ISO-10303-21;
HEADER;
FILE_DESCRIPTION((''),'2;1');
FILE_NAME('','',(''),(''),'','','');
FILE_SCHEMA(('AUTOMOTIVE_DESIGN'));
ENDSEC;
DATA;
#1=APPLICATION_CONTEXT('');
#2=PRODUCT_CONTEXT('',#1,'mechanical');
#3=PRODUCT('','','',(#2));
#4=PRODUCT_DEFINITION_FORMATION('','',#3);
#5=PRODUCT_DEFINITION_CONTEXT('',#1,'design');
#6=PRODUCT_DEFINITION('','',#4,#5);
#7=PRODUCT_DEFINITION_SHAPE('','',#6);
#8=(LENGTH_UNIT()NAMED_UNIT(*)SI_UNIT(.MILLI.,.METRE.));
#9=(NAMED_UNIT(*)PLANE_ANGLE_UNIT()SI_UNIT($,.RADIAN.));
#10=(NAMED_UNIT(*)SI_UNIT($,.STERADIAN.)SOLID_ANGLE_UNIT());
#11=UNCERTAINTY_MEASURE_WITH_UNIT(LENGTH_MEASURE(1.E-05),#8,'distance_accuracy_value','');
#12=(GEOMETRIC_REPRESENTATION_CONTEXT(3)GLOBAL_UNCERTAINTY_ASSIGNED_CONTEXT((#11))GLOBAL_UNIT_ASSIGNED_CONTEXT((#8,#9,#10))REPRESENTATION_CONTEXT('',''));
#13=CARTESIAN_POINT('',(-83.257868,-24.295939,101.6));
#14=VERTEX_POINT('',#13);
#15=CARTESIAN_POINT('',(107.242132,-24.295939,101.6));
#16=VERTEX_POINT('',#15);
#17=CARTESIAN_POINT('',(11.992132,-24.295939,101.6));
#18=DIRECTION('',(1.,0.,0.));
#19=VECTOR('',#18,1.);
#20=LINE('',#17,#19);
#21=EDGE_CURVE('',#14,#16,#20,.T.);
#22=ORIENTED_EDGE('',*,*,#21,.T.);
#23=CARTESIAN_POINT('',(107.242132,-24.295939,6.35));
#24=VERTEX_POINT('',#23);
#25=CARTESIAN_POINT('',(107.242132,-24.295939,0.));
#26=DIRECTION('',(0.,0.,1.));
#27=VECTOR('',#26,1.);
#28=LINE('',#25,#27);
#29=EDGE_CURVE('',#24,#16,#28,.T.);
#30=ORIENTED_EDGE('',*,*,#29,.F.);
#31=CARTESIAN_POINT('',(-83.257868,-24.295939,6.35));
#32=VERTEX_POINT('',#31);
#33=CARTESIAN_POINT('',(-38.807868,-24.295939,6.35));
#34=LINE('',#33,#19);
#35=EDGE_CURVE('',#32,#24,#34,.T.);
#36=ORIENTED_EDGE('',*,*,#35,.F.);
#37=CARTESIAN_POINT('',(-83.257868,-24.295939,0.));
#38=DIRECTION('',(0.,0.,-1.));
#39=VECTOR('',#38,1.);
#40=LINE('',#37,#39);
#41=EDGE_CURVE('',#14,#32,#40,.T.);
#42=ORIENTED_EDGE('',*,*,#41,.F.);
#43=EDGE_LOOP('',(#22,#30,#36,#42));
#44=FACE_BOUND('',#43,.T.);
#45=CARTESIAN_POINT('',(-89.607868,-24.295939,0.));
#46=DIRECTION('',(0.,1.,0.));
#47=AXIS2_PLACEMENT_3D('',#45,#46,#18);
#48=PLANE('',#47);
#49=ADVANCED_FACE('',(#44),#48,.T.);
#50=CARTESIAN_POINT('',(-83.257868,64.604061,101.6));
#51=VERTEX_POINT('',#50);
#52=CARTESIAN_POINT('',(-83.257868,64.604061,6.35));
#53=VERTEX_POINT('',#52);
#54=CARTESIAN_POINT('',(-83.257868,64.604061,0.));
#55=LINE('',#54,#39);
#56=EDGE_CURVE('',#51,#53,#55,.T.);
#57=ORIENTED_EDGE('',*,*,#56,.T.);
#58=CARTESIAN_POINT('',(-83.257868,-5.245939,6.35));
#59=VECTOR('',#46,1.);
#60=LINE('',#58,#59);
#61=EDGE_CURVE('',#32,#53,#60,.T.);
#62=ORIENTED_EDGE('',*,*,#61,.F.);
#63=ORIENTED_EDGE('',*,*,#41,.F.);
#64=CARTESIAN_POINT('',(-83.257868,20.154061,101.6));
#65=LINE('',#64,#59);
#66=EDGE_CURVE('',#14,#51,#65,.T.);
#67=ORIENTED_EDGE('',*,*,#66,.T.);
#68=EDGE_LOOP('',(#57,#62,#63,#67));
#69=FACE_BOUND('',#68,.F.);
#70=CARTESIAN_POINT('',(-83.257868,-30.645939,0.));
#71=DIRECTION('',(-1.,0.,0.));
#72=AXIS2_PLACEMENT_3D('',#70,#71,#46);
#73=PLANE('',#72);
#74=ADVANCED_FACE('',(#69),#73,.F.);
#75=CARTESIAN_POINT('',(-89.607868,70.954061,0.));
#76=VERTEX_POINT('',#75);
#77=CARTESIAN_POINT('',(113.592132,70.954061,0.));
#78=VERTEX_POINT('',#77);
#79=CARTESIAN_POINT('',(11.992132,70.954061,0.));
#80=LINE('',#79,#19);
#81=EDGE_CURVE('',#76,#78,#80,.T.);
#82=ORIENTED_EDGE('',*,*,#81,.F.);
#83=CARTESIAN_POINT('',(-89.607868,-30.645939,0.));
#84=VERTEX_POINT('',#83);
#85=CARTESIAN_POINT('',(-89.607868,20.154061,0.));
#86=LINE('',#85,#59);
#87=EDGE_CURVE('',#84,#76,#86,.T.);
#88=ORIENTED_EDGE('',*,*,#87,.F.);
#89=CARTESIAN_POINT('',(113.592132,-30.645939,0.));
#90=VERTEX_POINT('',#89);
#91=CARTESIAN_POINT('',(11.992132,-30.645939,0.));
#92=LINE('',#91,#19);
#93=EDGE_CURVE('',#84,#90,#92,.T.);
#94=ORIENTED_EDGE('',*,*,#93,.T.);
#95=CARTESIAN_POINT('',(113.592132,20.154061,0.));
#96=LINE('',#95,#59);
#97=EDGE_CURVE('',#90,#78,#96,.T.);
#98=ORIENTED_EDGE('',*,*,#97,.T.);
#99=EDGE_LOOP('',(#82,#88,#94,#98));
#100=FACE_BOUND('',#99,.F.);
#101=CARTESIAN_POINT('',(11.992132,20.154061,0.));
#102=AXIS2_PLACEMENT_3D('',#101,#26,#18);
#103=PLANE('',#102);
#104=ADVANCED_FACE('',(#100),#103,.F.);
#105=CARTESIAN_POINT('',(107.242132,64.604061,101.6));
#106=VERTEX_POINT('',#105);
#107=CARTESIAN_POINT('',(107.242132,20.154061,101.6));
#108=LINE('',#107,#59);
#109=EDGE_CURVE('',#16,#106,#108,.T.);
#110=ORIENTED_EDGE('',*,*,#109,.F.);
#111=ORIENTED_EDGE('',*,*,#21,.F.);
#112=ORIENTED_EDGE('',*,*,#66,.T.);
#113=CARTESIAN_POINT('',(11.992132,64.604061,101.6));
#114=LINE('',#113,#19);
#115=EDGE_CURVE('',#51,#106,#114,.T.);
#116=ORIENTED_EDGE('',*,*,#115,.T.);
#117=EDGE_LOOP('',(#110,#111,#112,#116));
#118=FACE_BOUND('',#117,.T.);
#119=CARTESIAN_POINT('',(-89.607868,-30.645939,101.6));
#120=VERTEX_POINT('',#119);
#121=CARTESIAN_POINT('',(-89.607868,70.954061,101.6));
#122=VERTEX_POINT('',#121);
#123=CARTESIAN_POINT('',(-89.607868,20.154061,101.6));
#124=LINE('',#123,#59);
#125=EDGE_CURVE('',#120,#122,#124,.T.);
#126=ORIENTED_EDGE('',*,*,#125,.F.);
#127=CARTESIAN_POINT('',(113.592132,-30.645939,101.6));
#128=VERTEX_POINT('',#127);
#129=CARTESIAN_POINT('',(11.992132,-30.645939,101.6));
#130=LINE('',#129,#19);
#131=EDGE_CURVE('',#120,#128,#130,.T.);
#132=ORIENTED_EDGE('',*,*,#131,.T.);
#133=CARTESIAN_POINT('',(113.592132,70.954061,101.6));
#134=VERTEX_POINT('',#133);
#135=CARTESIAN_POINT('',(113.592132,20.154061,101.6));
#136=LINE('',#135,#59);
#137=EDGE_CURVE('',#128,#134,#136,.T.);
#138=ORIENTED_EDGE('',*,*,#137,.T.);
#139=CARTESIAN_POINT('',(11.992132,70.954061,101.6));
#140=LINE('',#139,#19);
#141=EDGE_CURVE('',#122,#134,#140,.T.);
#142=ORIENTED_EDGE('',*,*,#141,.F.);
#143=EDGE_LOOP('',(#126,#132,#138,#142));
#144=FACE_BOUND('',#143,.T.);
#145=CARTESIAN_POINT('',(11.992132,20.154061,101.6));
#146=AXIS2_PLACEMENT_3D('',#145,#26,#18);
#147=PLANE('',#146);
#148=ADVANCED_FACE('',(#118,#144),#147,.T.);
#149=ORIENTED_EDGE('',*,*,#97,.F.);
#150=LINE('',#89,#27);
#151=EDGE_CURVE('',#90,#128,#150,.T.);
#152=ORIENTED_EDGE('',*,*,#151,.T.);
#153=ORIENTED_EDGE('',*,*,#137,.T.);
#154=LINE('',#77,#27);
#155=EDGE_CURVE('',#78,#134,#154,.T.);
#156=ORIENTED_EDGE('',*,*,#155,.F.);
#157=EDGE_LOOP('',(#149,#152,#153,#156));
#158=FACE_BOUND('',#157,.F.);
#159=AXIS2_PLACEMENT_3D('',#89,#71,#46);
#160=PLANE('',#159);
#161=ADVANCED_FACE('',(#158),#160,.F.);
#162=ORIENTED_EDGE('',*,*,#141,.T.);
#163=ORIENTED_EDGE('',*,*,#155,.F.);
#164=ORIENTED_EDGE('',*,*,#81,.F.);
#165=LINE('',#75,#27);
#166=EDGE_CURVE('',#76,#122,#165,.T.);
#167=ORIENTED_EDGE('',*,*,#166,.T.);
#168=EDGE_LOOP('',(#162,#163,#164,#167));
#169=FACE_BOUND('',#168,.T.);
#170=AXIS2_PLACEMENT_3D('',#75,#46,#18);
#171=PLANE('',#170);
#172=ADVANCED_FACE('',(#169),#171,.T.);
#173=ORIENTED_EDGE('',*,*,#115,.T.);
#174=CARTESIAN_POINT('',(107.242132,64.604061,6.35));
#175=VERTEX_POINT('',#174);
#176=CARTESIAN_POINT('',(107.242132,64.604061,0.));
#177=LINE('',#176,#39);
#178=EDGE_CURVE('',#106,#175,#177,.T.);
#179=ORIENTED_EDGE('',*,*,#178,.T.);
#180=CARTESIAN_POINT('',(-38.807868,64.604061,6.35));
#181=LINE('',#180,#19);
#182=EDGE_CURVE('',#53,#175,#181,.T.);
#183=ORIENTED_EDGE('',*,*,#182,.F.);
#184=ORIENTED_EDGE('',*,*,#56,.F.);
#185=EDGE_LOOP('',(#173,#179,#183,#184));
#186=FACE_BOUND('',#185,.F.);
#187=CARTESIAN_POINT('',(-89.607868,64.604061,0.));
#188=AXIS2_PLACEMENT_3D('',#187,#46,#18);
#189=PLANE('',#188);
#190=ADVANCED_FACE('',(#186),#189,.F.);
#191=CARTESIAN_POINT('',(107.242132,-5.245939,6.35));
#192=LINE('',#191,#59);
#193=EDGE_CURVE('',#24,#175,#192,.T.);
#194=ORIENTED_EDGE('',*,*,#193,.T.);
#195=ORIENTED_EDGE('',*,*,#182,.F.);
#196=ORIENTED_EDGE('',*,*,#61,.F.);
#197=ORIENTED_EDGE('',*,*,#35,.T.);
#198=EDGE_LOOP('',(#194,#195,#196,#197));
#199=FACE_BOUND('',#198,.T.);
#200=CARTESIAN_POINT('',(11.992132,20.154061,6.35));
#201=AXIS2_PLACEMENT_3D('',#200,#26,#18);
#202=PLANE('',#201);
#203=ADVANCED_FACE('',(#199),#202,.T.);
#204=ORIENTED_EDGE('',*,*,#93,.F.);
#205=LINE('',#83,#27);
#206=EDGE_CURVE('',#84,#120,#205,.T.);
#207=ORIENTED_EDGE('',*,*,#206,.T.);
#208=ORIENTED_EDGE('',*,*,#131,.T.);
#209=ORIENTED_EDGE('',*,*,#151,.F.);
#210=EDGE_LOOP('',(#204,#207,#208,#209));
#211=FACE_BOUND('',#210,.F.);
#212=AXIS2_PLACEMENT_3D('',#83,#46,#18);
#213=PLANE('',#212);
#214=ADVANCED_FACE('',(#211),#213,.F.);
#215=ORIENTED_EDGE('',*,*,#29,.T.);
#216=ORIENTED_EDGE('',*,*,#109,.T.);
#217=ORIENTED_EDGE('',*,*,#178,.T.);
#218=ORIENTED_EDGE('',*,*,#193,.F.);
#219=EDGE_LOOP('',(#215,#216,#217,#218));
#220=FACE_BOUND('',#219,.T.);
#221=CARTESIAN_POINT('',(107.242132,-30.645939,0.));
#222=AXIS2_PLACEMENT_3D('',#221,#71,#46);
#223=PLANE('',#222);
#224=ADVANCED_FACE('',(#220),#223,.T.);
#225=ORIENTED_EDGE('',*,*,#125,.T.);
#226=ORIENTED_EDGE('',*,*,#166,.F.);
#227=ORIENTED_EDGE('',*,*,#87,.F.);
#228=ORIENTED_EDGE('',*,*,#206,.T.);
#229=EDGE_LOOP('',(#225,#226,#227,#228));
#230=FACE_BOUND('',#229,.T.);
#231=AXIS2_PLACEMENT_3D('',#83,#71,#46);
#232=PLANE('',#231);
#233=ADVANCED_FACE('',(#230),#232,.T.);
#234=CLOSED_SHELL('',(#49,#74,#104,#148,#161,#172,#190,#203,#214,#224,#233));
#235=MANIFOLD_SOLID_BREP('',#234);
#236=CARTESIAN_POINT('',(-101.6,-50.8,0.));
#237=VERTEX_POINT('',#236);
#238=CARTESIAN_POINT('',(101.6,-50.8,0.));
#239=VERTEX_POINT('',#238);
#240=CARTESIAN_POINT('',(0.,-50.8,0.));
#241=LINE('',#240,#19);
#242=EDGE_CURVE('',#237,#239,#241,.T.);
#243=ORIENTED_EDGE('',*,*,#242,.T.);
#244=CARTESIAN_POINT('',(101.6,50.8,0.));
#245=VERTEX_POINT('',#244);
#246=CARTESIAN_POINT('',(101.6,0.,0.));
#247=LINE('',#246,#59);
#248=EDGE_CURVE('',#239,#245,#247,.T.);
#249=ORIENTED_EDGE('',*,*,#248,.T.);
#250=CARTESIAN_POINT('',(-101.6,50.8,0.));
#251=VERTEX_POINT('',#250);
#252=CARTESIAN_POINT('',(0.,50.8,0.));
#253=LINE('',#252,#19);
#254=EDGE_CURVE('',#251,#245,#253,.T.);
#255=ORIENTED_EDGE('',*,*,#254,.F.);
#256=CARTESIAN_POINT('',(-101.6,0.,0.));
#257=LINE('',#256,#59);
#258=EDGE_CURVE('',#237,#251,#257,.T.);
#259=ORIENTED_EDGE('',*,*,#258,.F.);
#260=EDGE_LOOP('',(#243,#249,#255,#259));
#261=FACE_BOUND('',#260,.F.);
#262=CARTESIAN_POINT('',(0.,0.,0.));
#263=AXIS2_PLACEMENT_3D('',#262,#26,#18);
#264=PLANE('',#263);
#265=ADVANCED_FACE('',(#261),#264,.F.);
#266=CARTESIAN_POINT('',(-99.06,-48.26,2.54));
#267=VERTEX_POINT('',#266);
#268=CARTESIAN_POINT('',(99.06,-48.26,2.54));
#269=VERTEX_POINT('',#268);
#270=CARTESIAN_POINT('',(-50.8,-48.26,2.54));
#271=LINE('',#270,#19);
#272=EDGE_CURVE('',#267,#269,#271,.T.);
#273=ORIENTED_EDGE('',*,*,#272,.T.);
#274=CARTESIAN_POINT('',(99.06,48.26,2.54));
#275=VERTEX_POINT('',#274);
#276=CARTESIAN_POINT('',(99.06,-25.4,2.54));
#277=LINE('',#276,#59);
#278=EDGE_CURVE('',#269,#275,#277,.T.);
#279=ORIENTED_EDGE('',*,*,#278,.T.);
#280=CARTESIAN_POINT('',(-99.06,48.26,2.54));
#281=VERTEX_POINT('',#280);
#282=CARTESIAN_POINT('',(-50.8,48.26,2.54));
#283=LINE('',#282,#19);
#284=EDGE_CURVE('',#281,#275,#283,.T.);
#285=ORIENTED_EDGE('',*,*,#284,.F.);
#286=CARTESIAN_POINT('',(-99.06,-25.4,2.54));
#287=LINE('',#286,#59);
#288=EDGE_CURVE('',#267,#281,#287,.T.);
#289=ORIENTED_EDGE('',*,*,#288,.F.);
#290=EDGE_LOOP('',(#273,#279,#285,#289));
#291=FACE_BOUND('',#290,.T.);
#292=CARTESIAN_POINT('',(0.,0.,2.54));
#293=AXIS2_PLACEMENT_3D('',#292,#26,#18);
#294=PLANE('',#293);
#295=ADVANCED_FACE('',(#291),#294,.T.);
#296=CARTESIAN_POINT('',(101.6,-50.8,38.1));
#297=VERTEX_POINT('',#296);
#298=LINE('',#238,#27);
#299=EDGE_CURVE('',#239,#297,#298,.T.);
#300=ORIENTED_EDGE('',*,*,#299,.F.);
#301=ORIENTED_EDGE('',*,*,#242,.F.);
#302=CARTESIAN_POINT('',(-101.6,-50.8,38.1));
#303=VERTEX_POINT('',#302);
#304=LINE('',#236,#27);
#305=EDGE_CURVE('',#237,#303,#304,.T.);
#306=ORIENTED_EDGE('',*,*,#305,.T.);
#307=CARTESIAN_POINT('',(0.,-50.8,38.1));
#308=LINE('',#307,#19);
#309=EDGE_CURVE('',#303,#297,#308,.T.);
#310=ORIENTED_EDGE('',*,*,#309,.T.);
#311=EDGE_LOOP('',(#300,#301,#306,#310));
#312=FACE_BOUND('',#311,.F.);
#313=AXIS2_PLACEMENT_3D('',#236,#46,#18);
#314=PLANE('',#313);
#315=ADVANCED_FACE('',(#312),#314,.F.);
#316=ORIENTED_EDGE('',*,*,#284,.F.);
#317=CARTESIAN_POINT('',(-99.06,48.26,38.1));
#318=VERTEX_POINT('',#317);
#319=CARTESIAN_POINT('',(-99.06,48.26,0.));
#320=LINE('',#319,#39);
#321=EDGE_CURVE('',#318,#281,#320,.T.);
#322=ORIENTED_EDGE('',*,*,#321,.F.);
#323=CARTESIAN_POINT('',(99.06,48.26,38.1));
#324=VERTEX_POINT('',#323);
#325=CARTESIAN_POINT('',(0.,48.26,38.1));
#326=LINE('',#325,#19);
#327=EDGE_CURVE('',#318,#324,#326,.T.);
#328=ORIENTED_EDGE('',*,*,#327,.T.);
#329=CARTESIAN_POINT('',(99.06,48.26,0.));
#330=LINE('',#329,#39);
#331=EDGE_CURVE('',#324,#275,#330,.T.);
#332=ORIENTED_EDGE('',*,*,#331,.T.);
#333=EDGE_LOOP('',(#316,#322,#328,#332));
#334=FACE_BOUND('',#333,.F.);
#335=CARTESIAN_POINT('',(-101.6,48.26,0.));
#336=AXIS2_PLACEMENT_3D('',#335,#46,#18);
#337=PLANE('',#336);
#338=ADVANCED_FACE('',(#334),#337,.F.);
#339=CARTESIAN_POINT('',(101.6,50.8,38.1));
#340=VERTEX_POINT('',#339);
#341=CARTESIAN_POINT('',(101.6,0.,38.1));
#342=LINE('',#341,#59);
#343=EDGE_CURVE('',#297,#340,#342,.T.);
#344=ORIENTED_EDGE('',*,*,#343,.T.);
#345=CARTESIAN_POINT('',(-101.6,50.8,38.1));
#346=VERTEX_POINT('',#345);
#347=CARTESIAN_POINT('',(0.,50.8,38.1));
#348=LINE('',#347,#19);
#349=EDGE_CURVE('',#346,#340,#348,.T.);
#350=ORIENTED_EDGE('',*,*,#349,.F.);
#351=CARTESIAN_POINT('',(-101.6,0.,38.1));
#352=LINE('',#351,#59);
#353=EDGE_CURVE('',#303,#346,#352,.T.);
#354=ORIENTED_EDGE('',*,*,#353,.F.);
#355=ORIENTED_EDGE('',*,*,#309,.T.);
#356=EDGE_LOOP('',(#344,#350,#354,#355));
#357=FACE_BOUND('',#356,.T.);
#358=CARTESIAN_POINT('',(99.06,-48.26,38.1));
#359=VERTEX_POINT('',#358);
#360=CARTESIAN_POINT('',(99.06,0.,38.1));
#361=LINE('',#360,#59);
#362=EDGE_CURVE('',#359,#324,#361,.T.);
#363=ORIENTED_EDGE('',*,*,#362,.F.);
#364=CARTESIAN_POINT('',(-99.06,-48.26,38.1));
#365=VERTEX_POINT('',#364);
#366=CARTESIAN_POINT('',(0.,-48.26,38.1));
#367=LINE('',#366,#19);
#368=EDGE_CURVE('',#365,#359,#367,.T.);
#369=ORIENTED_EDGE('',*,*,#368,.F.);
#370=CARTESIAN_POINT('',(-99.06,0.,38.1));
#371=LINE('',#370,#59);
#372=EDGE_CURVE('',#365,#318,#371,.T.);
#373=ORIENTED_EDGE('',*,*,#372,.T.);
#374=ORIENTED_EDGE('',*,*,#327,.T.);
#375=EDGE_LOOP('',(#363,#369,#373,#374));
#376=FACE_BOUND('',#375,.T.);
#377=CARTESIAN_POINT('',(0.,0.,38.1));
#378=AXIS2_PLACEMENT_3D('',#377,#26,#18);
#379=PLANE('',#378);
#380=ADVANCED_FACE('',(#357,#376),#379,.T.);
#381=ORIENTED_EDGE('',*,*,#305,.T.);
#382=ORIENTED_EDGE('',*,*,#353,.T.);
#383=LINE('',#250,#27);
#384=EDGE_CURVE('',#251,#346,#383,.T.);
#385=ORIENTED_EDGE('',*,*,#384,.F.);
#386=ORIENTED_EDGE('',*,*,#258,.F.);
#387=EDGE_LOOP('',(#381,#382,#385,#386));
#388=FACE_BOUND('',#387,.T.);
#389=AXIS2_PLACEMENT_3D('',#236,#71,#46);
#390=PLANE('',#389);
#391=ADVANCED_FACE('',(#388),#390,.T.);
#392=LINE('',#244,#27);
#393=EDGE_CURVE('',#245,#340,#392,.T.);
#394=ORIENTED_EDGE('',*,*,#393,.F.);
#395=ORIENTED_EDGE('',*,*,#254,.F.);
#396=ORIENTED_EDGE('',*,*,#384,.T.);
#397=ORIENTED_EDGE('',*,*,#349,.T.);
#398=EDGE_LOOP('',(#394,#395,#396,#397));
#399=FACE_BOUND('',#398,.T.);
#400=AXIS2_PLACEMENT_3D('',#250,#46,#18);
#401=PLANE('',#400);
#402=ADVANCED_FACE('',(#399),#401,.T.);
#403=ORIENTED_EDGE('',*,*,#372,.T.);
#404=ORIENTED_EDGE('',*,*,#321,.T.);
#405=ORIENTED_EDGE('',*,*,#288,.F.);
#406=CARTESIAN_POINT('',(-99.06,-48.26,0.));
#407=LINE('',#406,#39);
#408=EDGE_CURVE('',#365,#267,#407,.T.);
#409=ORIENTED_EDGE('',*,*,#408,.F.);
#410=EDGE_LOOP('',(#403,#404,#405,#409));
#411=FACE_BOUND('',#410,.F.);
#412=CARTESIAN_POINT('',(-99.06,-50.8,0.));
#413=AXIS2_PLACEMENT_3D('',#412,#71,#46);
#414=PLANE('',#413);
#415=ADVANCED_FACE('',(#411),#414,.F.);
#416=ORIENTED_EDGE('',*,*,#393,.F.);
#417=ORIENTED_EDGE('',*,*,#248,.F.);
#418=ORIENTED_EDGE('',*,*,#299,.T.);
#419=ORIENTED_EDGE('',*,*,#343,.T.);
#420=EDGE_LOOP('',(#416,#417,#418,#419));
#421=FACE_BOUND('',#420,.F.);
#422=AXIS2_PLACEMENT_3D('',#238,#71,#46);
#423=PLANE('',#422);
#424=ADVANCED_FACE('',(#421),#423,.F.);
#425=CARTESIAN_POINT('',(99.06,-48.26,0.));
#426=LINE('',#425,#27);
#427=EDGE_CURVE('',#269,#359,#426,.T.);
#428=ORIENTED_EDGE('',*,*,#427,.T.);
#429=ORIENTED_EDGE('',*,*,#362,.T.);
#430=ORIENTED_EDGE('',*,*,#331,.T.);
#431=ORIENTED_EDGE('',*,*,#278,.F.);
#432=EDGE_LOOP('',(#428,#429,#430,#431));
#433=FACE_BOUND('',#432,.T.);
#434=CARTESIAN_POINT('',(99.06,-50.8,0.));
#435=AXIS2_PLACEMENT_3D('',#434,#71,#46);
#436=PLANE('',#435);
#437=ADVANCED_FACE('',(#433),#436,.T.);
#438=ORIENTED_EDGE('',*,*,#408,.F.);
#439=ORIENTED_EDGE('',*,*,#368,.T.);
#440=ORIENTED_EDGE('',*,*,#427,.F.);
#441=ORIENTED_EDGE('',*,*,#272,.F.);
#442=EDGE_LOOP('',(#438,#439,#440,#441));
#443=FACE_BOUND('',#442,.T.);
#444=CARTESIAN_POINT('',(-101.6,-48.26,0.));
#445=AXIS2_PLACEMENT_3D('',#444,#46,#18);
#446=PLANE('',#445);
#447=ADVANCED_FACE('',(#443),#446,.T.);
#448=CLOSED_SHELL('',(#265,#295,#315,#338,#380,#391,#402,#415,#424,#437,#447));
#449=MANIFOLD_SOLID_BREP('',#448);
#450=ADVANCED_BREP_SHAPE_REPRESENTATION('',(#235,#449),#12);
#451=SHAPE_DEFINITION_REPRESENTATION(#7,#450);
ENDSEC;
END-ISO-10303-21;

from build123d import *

# Parameters (mm, degrees)
F0_W     = 203.2
F0_H     = 101.6
F1_DEPTH = 101.6
F2_T     = -6.35
F3_W     = 203.2
F3_H     = 101.6
F4_DEPTH = 38.1
F5_T     = -2.54


with BuildPart() as f1:
    # F0 (on Top) → F1 (new body)
    with BuildSketch(Plane.XY):
        with Locations((11.992132, 20.154061)):
            Rectangle(F0_W, F0_H)
    extrude(amount=F1_DEPTH)

    # F2
    f2_openings = [f1.faces().sort_by_distance(p)[0] for p in [
        (11.992132, 20.154061, 101.6),
    ]]
    offset(amount=F2_T, openings=f2_openings)


with BuildPart() as f4:
    # F3 (on Top) → F4 (new body)
    with BuildSketch(Plane.XY):
        Rectangle(F3_W, F3_H)
    extrude(amount=F4_DEPTH)

    # F5
    f5_openings = [f4.faces().sort_by_distance(p)[0] for p in [
        (0, 0, 38.1),
    ]]
    offset(amount=F5_T, openings=f5_openings)


solid = Compound([f1.part, f4.part])
